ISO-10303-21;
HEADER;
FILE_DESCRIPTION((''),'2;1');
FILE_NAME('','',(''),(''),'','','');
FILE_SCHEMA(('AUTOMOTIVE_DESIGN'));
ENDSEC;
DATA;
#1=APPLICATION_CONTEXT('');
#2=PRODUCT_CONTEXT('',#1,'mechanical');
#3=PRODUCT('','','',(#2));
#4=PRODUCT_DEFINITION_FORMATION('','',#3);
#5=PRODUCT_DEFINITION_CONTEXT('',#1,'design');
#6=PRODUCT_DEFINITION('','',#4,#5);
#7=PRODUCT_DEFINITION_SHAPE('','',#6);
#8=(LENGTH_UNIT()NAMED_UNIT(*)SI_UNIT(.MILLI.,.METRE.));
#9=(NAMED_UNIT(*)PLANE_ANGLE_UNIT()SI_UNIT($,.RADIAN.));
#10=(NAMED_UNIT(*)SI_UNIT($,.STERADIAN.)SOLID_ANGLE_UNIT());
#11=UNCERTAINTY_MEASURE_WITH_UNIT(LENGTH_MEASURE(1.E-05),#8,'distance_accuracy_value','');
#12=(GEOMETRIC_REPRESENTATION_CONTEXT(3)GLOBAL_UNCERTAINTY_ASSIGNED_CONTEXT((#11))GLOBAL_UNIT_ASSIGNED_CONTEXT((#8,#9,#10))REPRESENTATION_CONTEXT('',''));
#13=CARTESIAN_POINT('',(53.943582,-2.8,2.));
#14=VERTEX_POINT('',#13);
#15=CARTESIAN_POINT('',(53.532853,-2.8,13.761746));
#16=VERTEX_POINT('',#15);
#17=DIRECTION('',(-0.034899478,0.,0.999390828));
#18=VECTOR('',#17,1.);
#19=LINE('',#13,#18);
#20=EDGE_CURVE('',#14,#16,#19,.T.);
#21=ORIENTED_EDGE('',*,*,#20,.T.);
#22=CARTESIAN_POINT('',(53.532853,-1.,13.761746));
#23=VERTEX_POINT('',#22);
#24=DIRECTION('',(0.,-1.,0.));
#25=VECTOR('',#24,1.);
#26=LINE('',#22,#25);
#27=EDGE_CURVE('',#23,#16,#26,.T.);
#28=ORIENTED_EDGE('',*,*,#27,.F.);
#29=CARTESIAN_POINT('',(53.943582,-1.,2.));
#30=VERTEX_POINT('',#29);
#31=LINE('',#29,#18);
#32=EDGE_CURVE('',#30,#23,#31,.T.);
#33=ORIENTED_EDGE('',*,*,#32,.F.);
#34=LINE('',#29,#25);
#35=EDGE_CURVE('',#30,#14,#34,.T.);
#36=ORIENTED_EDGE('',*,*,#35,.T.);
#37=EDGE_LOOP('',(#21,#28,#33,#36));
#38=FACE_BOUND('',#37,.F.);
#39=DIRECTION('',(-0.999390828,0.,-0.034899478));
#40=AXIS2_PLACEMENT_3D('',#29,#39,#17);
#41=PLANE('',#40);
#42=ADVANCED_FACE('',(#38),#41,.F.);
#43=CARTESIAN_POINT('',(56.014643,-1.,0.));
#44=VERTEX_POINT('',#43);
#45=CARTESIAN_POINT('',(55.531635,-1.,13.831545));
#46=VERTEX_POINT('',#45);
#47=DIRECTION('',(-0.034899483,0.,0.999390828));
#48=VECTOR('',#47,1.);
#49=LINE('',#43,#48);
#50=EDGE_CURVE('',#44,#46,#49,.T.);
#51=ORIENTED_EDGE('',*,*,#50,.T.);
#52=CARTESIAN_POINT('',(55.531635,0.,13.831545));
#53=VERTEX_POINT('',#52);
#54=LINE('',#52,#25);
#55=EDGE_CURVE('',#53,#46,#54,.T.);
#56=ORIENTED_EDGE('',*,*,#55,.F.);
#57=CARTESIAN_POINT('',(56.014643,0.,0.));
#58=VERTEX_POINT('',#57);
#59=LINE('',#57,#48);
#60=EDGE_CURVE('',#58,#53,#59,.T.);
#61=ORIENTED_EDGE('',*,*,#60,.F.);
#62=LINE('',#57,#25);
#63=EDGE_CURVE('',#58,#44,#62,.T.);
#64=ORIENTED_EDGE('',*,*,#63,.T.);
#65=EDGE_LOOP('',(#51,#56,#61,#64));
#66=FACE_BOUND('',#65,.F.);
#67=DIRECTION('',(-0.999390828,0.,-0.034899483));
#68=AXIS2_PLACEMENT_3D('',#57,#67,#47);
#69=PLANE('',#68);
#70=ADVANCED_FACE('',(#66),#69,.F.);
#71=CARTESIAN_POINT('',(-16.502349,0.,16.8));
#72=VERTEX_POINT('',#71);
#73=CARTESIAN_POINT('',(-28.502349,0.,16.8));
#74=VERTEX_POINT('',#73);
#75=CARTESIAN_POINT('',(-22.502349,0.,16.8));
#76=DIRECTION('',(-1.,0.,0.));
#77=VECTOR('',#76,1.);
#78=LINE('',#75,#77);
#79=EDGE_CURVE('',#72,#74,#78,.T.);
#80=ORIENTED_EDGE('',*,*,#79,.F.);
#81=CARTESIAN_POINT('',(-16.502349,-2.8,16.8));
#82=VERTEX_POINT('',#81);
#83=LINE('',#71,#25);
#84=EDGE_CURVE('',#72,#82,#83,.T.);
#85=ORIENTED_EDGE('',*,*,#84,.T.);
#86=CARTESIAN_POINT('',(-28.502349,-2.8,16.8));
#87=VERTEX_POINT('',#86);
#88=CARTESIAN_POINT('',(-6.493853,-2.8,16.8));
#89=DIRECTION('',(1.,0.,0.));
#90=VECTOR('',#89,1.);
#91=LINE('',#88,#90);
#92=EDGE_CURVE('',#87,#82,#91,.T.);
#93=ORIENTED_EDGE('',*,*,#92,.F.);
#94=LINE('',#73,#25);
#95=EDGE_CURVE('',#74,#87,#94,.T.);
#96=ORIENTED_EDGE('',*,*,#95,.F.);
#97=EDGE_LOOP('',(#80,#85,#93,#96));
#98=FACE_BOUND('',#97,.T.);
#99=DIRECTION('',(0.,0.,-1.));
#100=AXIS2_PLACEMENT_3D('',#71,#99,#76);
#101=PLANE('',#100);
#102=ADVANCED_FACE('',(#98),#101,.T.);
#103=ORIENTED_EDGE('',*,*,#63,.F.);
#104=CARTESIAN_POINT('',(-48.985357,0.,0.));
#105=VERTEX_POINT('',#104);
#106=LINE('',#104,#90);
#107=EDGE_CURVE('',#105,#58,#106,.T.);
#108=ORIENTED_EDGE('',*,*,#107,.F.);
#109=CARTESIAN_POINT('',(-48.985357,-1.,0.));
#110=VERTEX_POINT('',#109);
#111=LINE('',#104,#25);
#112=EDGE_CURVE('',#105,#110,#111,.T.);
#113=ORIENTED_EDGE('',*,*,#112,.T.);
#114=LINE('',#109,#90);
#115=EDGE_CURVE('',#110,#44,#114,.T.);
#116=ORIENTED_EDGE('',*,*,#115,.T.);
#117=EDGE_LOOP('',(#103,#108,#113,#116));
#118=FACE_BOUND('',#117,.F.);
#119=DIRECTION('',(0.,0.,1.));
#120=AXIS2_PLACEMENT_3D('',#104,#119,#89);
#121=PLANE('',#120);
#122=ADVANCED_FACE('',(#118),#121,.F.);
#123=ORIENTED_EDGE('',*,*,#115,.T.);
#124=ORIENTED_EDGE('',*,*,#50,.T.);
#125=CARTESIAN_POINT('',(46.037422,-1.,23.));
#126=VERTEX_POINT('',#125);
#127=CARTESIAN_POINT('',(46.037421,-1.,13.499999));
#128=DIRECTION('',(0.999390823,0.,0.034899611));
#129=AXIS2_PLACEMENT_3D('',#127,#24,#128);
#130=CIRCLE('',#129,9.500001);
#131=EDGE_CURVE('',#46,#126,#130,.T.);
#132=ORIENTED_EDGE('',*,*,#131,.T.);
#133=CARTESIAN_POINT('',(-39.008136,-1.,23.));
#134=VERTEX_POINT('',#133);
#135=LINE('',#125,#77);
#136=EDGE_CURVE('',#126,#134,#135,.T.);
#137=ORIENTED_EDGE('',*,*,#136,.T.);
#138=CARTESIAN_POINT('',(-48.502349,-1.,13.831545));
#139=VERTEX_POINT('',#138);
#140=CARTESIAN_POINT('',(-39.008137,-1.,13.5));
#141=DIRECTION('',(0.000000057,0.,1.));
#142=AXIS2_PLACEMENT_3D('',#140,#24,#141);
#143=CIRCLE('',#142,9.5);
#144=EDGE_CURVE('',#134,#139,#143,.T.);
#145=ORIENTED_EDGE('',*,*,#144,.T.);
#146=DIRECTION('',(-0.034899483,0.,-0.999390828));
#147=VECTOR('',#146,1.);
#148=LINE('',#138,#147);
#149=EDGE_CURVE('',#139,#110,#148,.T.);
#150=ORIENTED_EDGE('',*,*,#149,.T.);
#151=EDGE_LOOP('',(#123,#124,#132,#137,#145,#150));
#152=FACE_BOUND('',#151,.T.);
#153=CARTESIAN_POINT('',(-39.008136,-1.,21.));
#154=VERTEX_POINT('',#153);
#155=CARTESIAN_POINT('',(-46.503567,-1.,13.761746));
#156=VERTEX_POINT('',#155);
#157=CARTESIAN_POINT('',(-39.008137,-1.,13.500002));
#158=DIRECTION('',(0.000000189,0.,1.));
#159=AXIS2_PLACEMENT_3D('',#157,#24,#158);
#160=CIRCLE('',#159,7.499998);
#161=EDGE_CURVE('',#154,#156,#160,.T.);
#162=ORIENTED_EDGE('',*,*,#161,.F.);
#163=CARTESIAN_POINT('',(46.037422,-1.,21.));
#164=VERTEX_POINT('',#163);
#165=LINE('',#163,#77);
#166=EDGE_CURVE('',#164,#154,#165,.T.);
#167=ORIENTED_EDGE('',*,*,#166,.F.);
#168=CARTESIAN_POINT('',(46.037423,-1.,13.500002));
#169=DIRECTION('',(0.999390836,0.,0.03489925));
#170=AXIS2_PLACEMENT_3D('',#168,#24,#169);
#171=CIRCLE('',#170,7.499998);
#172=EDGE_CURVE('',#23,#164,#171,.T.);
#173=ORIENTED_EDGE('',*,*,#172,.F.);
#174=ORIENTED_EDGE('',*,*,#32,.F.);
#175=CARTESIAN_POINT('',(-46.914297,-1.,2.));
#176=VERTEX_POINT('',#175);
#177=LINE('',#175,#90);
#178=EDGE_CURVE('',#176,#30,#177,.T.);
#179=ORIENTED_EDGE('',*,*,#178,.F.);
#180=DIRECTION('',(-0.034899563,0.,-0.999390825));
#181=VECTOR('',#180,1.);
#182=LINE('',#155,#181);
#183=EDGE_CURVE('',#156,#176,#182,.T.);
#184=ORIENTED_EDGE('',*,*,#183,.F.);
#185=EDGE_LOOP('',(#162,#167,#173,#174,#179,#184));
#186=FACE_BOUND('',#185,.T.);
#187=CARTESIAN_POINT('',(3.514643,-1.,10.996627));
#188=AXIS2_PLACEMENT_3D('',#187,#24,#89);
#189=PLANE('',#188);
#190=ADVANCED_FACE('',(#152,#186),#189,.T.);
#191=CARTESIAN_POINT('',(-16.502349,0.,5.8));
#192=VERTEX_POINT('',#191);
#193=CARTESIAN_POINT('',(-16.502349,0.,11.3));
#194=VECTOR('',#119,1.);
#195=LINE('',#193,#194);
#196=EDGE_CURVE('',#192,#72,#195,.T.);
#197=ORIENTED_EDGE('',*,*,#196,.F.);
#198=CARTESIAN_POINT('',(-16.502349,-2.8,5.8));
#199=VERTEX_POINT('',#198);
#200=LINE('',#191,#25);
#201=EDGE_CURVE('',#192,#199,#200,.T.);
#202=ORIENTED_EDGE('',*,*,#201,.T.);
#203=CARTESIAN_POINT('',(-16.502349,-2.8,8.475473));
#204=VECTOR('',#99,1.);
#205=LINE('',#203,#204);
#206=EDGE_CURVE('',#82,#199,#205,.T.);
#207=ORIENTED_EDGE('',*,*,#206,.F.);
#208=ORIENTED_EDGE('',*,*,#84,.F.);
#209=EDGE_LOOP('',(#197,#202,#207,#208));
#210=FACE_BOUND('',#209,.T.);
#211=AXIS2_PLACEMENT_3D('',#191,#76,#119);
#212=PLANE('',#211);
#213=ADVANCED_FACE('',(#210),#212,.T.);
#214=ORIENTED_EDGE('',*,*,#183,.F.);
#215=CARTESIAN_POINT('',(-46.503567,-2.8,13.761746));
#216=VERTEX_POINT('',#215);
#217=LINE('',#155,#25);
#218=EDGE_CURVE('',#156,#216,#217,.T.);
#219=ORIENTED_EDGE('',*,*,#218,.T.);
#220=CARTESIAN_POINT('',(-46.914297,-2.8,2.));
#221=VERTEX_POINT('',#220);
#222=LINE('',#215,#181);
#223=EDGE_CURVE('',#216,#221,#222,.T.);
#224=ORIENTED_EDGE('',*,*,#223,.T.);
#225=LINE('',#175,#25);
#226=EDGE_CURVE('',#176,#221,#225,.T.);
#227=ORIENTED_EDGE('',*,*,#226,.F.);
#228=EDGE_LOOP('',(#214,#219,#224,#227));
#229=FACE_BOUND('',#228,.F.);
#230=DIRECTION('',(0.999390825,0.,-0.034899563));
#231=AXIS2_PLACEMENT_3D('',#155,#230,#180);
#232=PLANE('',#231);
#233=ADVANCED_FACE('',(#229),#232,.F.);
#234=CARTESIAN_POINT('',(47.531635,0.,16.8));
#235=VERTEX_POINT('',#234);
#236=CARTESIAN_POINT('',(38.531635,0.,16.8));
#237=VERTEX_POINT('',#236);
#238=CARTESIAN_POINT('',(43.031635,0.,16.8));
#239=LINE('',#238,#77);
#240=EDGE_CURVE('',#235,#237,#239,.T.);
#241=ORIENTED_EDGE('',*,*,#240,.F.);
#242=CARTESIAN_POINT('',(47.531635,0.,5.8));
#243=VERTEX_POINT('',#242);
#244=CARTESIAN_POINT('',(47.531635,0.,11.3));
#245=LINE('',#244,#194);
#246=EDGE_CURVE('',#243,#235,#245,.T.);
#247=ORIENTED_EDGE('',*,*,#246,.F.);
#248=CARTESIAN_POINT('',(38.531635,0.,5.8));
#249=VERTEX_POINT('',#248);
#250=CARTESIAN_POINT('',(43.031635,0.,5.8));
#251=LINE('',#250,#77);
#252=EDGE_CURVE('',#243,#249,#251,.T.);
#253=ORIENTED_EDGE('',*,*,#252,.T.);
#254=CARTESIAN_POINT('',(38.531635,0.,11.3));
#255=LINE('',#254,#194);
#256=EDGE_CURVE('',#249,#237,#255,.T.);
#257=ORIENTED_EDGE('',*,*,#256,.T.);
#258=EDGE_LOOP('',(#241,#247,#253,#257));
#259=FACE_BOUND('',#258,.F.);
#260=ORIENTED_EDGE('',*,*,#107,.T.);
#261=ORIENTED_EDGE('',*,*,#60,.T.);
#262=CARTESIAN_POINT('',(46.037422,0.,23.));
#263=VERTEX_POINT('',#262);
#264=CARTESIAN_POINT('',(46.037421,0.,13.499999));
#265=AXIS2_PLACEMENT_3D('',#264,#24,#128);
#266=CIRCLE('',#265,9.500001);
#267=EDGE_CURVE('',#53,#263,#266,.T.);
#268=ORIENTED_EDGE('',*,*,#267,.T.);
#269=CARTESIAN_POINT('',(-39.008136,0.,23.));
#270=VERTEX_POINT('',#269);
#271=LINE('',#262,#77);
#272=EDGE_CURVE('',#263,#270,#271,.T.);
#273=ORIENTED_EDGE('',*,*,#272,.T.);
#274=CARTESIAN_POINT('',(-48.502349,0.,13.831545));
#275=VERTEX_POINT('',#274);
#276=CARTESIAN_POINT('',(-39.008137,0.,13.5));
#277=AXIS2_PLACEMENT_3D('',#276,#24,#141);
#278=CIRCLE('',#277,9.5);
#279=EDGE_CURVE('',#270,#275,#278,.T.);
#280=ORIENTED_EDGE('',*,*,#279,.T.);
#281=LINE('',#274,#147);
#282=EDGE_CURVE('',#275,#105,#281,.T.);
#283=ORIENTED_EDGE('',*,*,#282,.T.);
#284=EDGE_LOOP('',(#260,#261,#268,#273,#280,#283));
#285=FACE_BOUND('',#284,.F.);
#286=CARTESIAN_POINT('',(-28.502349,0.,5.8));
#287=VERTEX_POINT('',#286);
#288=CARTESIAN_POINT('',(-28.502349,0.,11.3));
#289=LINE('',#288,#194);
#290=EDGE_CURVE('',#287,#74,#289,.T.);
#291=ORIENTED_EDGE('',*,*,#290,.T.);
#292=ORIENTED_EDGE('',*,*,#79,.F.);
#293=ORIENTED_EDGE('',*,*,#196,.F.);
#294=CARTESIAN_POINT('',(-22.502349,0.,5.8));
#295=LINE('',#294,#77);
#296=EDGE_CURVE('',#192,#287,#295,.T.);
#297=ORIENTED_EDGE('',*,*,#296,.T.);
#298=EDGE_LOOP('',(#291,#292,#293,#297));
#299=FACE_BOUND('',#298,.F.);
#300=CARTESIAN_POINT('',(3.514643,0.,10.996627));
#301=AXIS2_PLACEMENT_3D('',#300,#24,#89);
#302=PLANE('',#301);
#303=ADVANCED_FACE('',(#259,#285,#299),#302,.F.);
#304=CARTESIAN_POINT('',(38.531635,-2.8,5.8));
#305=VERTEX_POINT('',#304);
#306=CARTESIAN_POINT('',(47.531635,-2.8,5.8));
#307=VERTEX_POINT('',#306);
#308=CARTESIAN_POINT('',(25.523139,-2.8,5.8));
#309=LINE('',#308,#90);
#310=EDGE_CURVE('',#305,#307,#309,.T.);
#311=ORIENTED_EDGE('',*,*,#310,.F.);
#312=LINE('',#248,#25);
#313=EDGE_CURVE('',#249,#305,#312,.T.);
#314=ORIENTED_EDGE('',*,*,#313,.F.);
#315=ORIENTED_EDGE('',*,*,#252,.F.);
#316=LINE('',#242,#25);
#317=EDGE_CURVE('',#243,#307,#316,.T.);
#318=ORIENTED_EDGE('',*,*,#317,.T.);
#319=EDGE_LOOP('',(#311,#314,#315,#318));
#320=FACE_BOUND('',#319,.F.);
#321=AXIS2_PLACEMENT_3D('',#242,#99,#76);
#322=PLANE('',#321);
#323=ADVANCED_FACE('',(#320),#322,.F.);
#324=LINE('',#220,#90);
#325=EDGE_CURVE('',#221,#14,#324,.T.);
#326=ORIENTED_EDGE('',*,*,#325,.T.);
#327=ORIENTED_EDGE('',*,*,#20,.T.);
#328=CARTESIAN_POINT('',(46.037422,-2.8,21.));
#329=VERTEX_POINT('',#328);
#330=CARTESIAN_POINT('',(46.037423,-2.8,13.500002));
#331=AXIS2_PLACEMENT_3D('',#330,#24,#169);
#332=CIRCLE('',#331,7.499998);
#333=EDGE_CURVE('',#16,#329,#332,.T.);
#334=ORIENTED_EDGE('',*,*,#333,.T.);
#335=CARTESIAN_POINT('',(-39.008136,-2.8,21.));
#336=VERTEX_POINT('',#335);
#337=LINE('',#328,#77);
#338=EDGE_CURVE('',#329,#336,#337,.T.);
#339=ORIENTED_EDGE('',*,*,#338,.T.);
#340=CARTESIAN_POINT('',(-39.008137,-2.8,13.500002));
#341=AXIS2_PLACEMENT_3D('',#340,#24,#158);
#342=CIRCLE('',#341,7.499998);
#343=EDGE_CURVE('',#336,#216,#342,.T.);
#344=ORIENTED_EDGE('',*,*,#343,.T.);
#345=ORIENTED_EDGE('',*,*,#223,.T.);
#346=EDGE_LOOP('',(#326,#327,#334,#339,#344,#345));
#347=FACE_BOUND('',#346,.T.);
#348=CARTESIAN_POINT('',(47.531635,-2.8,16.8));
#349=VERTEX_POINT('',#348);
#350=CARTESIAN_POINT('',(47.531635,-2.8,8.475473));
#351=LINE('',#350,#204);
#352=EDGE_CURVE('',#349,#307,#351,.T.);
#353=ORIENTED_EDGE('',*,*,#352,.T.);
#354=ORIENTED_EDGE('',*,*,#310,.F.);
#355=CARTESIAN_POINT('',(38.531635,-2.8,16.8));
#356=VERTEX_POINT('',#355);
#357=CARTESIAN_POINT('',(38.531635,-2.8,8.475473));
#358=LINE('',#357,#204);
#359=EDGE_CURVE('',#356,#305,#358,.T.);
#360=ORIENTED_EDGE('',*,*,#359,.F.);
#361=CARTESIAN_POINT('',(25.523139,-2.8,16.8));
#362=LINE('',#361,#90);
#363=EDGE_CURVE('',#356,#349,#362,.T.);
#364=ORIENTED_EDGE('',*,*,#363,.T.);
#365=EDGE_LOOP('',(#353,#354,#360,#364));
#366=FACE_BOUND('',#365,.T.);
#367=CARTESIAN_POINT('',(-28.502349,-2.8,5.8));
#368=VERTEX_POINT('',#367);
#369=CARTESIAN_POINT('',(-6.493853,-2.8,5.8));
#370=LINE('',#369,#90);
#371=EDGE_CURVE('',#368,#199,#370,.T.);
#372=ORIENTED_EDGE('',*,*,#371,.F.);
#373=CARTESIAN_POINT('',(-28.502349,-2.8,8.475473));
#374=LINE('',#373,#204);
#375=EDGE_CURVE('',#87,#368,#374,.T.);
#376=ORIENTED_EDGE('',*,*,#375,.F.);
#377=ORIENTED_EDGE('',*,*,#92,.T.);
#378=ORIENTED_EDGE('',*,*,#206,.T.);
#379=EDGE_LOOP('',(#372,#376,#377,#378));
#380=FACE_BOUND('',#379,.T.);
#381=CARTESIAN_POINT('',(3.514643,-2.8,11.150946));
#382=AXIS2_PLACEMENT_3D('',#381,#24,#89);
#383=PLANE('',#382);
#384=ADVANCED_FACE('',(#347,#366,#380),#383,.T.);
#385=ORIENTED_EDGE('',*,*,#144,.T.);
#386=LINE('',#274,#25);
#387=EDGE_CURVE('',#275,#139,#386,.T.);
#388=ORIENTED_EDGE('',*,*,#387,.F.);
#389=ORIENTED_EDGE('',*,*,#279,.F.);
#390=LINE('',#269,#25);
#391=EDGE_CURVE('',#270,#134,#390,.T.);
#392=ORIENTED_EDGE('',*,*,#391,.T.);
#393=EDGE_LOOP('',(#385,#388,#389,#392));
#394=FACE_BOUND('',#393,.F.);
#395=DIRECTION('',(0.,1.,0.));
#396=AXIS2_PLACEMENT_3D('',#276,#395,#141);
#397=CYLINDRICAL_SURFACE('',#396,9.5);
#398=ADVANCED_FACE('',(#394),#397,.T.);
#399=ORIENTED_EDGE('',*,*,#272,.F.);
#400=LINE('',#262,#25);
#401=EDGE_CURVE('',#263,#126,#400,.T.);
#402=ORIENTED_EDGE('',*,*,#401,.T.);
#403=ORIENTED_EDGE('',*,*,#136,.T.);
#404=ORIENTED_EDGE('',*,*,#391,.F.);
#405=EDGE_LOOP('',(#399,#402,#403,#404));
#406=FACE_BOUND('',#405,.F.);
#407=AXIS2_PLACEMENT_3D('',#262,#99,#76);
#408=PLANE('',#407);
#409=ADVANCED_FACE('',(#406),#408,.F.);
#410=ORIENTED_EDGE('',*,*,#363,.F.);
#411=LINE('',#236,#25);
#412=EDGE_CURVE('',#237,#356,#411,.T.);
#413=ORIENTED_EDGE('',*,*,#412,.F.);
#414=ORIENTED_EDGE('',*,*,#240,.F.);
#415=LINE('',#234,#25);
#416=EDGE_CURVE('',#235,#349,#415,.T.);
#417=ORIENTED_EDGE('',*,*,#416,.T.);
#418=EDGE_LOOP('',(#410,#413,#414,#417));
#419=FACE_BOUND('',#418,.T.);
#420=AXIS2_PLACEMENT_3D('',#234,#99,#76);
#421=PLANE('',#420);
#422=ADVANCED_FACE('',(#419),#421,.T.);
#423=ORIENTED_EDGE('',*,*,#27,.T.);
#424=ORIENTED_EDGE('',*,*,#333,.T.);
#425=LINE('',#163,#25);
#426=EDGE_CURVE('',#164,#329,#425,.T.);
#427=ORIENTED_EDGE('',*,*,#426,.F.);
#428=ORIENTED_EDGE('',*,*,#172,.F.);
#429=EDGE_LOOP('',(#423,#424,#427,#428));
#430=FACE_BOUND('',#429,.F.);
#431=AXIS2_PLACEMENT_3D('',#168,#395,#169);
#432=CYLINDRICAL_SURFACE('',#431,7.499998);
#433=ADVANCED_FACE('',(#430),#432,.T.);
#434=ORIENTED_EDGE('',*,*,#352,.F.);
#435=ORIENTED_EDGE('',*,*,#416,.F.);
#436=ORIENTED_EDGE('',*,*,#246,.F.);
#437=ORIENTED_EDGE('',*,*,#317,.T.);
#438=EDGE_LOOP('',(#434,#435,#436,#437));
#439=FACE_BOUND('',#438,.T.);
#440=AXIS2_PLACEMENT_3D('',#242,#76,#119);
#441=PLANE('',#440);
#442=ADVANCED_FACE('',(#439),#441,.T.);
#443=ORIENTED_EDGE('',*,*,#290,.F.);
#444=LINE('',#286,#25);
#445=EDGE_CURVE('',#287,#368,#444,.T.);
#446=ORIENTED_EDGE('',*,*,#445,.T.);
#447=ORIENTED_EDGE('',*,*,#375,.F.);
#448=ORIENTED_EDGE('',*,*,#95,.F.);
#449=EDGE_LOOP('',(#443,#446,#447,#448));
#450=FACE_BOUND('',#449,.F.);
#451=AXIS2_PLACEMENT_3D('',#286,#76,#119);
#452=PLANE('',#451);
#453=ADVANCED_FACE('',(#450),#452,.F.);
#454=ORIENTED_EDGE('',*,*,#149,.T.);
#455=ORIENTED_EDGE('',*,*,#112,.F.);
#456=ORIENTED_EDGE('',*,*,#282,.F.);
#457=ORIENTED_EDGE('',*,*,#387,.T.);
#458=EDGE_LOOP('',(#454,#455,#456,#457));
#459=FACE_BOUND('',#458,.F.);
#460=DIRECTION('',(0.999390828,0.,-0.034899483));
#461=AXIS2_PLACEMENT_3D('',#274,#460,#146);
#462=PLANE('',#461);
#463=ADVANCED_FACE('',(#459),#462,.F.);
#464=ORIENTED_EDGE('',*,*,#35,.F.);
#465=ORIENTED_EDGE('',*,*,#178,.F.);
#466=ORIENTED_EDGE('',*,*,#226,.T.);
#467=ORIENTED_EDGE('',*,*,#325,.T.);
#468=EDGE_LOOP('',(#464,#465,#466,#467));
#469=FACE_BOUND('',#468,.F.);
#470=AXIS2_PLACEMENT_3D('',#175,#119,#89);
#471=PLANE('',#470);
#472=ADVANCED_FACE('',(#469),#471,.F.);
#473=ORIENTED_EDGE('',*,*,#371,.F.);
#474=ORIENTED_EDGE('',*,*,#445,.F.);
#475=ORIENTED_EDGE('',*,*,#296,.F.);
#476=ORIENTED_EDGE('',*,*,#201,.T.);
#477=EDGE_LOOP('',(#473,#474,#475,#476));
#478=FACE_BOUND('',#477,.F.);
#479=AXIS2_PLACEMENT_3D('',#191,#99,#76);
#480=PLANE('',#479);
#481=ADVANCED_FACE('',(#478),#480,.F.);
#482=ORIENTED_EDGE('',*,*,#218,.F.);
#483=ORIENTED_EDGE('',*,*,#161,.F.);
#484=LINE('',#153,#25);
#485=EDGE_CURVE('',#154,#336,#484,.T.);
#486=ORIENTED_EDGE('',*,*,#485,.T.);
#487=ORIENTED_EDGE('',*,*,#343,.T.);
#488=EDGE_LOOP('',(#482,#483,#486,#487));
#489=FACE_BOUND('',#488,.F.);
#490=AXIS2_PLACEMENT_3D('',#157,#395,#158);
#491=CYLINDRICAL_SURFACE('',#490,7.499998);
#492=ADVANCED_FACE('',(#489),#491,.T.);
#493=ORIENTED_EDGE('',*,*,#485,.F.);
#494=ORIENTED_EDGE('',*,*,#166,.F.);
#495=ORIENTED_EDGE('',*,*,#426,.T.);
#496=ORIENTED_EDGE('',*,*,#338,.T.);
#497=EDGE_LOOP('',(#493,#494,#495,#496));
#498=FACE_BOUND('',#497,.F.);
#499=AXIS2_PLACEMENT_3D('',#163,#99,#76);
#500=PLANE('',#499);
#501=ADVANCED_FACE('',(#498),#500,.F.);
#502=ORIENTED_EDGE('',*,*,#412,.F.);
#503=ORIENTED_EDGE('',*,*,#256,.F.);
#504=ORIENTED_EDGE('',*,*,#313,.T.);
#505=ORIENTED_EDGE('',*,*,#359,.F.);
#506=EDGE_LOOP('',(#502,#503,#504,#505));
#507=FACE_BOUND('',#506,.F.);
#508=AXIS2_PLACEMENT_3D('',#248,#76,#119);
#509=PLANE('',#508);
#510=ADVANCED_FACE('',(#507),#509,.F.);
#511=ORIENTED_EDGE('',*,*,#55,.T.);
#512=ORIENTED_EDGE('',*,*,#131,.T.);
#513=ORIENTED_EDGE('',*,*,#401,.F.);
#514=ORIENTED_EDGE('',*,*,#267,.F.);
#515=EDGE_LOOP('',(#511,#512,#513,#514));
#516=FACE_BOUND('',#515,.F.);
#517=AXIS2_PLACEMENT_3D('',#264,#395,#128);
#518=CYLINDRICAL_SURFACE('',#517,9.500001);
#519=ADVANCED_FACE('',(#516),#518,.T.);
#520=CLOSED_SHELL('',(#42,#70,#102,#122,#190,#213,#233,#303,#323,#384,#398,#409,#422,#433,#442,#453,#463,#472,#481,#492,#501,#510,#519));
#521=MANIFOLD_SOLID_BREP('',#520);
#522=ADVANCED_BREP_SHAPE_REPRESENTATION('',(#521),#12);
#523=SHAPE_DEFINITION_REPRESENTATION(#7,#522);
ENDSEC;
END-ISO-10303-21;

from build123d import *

# Parameters (mm, degrees)
F1_DEPTH = 1
F3_DEPTH = 1.8
F4_W     = 9
F4_H     = 11
F4_W_2   = 12
F5_DEPTH = 2.801


with BuildPart() as f1:
    # F0 (on Front) → F1 (new body)
    with BuildSketch(Plane.XZ):
        with BuildLine():
            Line((-48.502349, 13.831545), (-48.985357, 0))
            Line((-48.985357, 0), (56.014643, 0))
            Line((56.014643, 0), (55.531635, 13.831545))
            ThreePointArc((55.531635, 13.831545), (52.636676, 20.333728), (46.037422, 23))
            Line((46.037422, 23), (-39.008136, 23))
            ThreePointArc((-39.008136, 23), (-45.607391, 20.333728), (-48.502349, 13.831545))
        make_face()
    extrude(amount=F1_DEPTH)

    # F2 (on face) → F3 (join)
    with BuildSketch(Plane.XZ.offset(1)):
        with BuildLine():
            Line((46.037422, 21), (-39.008136, 21))
            ThreePointArc((-39.008136, 21), (-44.218074, 18.895049), (-46.503567, 13.761746))
            Line((-46.503567, 13.761746), (-46.914297, 2))
            Line((-46.914297, 2), (53.943582, 2))
            Line((53.943582, 2), (53.532853, 13.761746))
            ThreePointArc((53.532853, 13.761746), (51.24736, 18.895049), (46.037422, 21))
        make_face()
    extrude(amount=F3_DEPTH)

    # F4 (on face) → F5 (cut, through all)
    with BuildSketch(Plane(origin=(0, 0, 0), x_dir=(-1, 0, 0), z_dir=(0, 1, 0))):
        with Locations((-43.031635, 11.3)):
            Rectangle(F4_W, F4_H)
        with Locations((22.502349, 11.3)):
            Rectangle(F4_W_2, F4_H)
    extrude(amount=-F5_DEPTH, mode=Mode.SUBTRACT)


solid = f1.part
